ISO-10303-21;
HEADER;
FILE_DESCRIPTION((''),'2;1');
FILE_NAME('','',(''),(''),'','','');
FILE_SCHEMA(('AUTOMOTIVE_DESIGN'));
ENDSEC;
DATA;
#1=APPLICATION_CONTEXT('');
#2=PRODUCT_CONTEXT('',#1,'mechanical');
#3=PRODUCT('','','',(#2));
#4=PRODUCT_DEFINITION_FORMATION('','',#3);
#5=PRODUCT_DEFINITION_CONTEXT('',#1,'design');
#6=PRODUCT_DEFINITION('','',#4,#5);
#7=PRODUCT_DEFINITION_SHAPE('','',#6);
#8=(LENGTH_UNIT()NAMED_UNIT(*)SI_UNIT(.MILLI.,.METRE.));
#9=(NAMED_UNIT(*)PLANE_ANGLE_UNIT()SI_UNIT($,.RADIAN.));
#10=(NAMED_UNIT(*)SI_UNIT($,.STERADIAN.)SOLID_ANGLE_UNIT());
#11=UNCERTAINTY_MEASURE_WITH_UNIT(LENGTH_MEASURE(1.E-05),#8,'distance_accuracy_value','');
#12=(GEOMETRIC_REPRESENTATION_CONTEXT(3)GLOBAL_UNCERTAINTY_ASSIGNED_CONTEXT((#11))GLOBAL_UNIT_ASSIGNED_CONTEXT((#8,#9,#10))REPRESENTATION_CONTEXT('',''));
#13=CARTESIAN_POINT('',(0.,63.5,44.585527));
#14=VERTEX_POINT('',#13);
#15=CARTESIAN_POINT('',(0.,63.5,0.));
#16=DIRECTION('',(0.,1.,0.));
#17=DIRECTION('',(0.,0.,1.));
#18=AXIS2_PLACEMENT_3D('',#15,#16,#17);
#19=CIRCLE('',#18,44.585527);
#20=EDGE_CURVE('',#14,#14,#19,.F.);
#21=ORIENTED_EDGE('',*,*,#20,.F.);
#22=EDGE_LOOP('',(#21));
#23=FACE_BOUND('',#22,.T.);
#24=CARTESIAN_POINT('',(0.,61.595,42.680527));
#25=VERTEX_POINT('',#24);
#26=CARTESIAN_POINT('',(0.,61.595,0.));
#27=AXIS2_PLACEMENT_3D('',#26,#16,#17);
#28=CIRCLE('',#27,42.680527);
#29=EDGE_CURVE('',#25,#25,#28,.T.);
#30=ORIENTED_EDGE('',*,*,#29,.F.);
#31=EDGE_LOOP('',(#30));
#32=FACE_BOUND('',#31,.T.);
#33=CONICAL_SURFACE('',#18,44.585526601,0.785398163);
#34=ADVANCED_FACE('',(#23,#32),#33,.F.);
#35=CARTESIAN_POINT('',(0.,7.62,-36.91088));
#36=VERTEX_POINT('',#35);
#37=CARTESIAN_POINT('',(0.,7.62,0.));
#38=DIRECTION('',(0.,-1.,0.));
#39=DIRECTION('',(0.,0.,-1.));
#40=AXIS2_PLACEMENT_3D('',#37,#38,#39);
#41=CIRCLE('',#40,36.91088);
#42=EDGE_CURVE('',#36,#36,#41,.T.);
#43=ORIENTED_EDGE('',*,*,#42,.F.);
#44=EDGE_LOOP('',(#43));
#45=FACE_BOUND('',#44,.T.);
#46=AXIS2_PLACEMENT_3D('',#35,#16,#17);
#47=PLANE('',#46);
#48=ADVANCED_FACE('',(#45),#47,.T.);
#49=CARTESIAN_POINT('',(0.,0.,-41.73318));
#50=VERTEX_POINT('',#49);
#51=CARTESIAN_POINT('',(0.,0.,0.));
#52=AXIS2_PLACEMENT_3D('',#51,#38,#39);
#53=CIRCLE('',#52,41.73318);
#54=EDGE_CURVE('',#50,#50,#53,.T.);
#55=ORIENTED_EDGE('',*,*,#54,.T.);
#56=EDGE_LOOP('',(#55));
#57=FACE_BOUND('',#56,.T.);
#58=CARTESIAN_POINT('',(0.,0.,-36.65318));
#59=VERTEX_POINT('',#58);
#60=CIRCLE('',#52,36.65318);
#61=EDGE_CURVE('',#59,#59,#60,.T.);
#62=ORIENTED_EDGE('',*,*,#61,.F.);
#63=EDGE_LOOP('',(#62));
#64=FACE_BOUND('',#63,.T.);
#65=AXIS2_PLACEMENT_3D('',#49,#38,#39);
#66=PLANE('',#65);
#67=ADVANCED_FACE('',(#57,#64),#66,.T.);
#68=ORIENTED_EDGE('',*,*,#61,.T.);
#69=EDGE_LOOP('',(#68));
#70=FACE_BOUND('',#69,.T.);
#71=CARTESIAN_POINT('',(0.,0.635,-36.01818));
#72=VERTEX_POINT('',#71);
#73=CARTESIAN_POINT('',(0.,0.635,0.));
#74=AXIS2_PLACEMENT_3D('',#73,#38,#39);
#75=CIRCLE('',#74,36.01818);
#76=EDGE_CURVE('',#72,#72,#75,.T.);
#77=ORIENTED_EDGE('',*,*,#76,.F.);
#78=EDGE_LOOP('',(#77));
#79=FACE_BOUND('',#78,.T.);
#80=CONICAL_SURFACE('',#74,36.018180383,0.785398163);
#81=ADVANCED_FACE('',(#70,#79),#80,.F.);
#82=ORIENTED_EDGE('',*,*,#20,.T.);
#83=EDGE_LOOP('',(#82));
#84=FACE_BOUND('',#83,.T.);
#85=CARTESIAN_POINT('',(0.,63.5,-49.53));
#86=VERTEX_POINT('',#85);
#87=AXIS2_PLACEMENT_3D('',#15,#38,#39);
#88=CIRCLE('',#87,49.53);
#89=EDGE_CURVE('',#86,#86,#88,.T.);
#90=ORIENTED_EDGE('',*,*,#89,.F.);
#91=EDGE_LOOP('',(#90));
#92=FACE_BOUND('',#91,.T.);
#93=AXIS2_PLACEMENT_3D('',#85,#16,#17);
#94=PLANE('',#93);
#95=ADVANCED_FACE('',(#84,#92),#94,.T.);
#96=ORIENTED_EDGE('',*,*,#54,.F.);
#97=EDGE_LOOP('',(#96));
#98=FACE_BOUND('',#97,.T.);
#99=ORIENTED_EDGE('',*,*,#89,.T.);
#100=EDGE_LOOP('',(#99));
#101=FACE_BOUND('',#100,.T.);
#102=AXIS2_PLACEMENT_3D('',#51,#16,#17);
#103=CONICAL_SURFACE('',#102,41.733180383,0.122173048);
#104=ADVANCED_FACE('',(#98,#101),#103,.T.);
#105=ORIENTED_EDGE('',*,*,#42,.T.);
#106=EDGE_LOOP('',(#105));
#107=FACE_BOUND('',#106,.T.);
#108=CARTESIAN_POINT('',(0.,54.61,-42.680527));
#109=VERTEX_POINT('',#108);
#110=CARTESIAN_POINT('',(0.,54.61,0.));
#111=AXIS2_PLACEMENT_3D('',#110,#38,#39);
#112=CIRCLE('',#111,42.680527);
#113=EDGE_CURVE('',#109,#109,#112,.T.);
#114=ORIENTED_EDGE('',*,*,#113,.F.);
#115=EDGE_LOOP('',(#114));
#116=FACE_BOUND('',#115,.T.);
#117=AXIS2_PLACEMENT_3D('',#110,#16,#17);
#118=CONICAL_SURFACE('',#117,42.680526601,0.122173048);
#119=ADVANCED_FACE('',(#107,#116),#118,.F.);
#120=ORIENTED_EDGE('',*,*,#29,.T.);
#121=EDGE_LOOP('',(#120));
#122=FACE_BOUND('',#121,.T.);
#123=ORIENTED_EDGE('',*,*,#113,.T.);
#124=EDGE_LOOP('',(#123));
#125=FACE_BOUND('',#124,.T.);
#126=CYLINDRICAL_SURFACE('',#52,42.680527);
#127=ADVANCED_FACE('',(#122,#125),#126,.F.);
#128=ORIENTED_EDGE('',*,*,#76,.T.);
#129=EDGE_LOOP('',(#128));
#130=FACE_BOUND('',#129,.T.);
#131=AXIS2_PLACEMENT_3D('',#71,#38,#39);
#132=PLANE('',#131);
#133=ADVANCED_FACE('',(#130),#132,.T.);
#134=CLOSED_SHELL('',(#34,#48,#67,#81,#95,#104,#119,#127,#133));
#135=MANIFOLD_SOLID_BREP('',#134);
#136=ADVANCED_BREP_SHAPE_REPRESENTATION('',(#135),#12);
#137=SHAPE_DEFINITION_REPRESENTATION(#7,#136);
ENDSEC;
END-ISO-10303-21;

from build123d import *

# Parameters (mm, degrees)
CHAMFER1_SIZE = 1.905


with BuildPart() as part:
    # Sketch1 → Revolve1 (revolve)
    with BuildSketch(Plane(origin=(0, 0, 0), x_dir=(0, 0, -1), z_dir=(1, 0, 0))):
        Polygon((41.733180383, 0), (49.53, 63.5), (42.680526601, 63.5), (42.680526601, 54.61), (36.910880084, 7.62), (0, 7.62), (0, 0.635), (36.018180383, 0.635), (36.653180383, 0), align=None)
    revolve(axis=Axis((0, 0, 0), (0, 1, 0)))

    # Chamfer1
    chamfer1_edges = [part.edges().sort_by_distance(p)[0] for p in [
        (0, 63.5, 42.680526601),
    ]]
    chamfer(chamfer1_edges, length=CHAMFER1_SIZE)


solid = part.part
